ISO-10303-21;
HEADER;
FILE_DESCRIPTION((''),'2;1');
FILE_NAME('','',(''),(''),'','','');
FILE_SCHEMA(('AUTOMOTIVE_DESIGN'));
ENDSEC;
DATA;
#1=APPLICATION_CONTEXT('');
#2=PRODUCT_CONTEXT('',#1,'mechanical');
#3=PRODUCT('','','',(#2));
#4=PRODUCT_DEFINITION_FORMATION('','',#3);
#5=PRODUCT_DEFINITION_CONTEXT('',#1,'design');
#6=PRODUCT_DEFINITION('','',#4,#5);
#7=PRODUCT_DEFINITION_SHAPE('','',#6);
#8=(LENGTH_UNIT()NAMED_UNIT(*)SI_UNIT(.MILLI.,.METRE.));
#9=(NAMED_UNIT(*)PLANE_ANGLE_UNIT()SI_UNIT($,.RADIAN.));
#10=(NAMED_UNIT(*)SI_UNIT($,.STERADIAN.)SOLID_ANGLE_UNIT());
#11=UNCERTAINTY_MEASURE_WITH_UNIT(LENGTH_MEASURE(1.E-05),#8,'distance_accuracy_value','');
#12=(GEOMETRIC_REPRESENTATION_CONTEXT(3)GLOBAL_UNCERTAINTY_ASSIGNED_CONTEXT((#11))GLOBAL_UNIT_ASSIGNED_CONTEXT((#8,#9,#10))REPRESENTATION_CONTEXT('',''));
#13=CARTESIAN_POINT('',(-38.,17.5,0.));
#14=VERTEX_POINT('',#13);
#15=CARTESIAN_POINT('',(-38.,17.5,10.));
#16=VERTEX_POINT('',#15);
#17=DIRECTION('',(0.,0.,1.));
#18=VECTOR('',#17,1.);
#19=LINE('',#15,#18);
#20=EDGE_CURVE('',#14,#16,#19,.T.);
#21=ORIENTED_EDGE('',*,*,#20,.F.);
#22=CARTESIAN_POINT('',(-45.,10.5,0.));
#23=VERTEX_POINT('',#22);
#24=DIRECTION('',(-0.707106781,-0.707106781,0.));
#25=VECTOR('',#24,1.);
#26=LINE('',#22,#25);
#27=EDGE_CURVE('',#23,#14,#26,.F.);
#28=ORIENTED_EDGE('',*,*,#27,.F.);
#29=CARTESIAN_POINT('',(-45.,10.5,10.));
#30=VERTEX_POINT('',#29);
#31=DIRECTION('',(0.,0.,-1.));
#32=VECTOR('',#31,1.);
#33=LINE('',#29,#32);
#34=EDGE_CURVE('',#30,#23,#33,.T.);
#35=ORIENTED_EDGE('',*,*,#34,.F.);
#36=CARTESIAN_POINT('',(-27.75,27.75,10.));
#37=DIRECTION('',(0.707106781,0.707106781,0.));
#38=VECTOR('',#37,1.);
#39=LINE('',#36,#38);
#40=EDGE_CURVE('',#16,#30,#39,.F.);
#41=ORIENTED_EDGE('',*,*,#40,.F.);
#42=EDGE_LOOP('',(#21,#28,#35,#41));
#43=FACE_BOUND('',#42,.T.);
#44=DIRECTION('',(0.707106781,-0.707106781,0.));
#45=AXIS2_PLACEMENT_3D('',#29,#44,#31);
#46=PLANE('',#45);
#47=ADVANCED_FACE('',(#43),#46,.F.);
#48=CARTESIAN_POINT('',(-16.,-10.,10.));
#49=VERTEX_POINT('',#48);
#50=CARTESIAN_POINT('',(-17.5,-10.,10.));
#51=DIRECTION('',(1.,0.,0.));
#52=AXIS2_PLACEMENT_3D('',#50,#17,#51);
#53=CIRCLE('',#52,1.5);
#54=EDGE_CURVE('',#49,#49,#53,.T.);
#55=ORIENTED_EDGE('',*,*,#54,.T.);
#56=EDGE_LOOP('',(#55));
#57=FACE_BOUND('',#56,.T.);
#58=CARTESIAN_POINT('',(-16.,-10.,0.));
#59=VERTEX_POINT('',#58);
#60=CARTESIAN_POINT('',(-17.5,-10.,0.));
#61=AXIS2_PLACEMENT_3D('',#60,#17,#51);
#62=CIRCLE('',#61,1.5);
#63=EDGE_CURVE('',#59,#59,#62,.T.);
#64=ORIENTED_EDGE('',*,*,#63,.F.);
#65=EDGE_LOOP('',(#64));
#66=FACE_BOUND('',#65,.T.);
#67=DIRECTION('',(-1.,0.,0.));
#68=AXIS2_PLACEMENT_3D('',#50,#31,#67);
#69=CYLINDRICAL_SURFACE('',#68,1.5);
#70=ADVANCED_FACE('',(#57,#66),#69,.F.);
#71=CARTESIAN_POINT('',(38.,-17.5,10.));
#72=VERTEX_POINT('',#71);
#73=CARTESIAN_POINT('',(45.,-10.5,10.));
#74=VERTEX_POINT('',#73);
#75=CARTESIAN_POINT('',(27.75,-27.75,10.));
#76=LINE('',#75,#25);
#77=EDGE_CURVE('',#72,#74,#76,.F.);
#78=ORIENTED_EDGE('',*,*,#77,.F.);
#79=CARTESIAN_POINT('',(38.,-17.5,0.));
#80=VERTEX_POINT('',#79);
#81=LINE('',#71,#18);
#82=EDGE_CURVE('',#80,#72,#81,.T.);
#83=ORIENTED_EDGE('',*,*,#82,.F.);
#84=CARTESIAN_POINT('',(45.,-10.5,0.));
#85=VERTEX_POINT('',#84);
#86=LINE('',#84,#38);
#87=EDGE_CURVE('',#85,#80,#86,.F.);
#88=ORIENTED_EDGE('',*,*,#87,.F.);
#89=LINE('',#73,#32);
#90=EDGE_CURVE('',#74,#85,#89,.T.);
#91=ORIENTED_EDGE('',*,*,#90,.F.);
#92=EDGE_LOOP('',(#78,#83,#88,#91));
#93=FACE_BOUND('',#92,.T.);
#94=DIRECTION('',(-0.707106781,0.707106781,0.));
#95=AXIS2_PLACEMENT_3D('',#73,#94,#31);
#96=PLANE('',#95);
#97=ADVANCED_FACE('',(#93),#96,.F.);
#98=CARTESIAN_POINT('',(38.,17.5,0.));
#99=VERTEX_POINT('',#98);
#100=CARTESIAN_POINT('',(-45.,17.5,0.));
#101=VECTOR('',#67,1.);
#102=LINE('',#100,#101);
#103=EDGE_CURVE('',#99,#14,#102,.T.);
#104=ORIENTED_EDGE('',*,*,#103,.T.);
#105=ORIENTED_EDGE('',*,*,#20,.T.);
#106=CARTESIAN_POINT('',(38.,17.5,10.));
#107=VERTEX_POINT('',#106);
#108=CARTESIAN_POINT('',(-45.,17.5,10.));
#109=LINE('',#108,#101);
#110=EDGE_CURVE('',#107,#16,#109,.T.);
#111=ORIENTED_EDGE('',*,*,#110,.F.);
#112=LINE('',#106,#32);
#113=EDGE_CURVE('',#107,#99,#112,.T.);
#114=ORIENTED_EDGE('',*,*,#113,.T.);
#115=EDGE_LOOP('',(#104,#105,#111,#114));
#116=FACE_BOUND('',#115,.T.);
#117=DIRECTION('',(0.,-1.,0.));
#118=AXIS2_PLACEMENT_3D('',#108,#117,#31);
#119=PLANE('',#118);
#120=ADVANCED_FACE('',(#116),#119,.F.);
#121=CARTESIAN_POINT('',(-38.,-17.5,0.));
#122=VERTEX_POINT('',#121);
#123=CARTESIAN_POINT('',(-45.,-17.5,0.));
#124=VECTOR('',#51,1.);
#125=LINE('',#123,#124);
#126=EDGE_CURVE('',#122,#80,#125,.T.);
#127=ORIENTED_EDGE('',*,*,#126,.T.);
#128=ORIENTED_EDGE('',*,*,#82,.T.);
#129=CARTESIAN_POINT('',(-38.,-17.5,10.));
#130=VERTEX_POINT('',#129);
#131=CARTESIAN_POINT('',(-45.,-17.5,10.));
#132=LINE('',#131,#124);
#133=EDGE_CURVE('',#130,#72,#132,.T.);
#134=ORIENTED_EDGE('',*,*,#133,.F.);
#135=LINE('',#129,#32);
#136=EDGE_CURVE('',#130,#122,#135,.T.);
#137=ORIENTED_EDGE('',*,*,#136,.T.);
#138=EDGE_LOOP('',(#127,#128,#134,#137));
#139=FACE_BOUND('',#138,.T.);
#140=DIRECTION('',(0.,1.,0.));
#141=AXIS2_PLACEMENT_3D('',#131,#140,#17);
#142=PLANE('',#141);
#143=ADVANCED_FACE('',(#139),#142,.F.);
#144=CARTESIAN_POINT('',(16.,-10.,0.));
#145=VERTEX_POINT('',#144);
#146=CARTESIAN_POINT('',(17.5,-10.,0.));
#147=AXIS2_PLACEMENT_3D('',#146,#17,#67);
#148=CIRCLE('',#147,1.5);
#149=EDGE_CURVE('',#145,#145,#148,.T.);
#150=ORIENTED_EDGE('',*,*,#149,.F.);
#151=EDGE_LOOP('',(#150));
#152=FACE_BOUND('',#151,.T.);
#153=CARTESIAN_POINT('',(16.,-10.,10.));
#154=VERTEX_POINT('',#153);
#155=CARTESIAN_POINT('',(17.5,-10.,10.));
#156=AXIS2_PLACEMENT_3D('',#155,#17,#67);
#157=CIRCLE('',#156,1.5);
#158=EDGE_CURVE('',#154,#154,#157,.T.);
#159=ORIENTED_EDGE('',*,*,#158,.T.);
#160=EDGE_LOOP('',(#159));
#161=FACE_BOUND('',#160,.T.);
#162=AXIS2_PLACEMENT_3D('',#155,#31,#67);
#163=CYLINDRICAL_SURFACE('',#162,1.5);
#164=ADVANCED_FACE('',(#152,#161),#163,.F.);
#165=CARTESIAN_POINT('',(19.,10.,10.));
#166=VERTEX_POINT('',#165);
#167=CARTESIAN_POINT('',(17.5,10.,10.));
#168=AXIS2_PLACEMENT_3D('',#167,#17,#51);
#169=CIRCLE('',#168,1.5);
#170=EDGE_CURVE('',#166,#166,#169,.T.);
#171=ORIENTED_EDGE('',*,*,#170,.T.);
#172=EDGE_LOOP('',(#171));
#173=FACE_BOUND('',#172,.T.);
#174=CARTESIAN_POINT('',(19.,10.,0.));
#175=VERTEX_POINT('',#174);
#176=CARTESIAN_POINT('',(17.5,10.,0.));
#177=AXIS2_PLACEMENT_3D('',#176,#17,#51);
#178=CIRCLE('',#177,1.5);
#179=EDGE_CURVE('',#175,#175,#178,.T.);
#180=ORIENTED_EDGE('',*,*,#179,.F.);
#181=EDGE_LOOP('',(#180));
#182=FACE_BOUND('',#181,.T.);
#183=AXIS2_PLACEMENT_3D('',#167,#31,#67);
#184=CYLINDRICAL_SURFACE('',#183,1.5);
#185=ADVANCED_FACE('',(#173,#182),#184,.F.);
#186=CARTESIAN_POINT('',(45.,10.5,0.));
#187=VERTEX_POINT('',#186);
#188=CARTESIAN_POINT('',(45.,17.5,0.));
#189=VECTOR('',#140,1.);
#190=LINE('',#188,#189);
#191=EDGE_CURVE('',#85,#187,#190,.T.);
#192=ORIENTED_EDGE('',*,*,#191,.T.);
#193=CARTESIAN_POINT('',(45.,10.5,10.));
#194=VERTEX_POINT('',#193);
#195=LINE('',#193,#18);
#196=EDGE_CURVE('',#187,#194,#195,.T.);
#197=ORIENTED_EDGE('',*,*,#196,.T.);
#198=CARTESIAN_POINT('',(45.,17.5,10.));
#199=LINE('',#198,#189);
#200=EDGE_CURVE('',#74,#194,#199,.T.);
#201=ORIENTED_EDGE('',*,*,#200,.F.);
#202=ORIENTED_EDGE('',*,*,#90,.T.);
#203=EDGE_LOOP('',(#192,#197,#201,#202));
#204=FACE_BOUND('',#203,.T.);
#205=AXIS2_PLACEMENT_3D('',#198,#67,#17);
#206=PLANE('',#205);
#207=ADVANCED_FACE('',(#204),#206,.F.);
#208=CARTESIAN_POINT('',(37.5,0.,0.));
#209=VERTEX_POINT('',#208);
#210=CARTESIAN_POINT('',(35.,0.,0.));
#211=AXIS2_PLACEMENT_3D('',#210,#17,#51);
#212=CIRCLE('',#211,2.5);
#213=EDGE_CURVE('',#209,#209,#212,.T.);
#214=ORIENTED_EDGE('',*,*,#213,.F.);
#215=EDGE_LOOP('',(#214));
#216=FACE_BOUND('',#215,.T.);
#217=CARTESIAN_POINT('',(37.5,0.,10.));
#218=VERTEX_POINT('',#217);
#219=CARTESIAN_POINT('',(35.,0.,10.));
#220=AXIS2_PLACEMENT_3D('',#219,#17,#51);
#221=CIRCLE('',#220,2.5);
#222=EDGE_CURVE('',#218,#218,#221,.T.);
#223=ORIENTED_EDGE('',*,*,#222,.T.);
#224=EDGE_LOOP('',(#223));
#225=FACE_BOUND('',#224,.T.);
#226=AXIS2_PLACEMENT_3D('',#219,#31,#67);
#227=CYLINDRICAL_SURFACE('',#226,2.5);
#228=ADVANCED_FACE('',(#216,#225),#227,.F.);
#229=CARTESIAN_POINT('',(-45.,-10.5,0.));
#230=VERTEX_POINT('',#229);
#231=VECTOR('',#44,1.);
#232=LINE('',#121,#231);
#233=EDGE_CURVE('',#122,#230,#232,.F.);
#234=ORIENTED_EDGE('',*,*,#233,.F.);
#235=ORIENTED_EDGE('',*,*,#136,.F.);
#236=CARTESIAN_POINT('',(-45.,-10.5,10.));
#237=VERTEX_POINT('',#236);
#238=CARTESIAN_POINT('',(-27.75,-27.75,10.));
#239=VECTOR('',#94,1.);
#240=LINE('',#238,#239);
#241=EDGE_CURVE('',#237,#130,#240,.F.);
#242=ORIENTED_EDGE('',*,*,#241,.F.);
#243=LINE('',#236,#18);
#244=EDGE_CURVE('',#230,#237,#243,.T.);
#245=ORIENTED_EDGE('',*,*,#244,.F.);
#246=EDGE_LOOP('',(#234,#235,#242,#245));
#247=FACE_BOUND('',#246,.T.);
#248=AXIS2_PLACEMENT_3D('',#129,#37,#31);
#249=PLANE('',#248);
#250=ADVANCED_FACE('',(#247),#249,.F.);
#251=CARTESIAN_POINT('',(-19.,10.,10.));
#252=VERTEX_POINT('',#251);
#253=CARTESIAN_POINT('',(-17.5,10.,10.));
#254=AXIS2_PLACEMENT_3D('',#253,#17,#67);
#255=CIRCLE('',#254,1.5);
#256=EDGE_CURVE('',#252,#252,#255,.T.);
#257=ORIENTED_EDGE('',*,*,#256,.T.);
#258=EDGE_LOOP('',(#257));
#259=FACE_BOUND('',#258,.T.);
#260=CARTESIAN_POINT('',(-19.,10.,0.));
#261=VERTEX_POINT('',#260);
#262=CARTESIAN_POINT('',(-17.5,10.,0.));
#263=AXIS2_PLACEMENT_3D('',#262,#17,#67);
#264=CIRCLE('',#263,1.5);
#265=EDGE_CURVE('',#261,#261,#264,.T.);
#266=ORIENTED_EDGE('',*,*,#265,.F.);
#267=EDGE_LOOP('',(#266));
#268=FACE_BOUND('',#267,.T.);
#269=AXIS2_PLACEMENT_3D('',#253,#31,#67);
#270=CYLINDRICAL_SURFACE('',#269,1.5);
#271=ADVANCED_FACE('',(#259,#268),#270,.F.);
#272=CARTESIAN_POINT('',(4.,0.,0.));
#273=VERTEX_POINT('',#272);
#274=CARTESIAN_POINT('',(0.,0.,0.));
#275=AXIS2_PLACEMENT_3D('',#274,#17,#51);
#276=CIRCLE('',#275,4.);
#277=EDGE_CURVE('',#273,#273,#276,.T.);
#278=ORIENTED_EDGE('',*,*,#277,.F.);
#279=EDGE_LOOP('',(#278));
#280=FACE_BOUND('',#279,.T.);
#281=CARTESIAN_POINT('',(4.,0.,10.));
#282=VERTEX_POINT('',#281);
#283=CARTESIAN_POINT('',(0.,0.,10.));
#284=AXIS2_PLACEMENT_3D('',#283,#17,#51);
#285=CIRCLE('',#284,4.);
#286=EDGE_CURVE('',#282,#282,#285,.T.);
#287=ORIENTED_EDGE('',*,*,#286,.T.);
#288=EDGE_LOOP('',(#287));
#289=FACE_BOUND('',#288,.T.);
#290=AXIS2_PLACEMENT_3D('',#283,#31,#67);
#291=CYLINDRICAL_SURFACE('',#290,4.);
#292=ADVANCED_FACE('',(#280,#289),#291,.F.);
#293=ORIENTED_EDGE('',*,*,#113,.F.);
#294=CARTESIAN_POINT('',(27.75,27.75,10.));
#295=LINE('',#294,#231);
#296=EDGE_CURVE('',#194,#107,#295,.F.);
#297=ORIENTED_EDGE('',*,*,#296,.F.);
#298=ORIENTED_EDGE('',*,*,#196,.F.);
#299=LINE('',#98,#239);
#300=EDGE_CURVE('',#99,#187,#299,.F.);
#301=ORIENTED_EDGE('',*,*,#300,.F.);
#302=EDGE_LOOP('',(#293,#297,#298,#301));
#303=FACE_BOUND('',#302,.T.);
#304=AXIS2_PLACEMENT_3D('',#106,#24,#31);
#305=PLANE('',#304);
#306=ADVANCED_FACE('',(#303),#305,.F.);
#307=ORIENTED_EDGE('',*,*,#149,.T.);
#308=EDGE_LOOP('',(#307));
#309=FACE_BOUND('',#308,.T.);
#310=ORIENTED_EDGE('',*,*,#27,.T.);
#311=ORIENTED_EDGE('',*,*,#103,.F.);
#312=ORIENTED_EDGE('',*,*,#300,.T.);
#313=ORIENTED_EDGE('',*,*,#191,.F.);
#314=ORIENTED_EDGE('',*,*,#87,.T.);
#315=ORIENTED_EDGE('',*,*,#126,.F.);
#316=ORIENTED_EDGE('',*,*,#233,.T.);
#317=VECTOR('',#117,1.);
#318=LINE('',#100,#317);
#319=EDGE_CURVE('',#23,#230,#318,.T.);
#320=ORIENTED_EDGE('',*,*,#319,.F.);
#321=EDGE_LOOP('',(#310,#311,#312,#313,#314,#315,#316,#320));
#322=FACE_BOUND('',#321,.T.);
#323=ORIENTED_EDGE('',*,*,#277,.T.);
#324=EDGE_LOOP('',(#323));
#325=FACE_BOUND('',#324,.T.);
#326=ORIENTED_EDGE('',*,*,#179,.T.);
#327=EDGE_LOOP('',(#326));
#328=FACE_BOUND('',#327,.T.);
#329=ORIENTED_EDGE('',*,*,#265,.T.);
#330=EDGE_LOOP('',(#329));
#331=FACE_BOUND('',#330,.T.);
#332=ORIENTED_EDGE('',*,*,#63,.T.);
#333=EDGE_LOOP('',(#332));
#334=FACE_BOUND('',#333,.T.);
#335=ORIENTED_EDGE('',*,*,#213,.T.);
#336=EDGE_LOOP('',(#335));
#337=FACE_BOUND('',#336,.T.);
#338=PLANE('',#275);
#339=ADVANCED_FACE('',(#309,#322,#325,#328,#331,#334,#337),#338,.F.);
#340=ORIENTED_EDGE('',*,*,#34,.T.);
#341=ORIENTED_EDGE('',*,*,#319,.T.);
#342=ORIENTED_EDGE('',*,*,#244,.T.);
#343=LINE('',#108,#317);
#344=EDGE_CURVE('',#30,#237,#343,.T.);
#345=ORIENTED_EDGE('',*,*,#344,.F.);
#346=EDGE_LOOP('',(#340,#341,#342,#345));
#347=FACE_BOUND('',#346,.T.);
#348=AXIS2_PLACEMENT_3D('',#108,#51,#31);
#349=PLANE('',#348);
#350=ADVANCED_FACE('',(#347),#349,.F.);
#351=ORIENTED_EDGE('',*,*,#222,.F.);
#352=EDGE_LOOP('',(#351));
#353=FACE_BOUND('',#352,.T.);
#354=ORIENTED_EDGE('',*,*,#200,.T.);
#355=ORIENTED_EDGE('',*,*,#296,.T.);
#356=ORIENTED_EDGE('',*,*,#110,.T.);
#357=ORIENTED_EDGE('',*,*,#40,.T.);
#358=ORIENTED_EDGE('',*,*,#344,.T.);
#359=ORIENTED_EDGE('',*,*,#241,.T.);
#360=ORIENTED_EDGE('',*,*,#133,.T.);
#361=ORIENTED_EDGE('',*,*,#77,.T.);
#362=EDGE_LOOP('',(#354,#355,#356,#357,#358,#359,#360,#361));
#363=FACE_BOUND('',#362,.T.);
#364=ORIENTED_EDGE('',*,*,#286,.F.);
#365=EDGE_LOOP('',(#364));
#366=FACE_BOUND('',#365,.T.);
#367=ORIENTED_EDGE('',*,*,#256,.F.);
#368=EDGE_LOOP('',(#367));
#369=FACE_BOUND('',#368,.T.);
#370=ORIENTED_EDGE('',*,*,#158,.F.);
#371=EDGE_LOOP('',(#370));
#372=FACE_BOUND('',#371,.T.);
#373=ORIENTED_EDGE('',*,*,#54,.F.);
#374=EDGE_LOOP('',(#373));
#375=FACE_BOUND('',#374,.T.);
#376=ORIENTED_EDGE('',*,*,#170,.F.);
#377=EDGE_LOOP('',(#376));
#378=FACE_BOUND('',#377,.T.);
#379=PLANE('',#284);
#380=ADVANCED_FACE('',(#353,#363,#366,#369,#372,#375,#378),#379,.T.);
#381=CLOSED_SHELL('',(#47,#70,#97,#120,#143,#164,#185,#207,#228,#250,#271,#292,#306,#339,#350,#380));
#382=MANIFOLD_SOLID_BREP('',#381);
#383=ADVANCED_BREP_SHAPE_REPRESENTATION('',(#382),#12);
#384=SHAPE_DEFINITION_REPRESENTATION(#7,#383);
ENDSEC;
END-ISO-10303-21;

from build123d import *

# Parameters (mm, degrees)
SKETCH_1_W      = 90
SKETCH_1_H      = 35
SKETCH_1_R      = 2.5
SKETCH_1_R_2    = 4
SKETCH_1_R_3    = 1.5
EXTRUDE_1_DEPTH = 10
CHAMFER_1_SIZE  = 7


with BuildPart() as part:
    # ｽｹｯﾁ1 → ﾎﾞｽ - 押し出し1 (new body)
    with BuildSketch(Plane.XY):
        Rectangle(SKETCH_1_W, SKETCH_1_H)
        with Locations((35, 0)):
            Circle(SKETCH_1_R, mode=Mode.SUBTRACT)
        Circle(SKETCH_1_R_2, mode=Mode.SUBTRACT)
        with Locations((17.5, 10)):
            Circle(SKETCH_1_R_3, mode=Mode.SUBTRACT)
        with Locations(Location((17.5, -10, 0), (0, 0, 180))):
            Circle(SKETCH_1_R_3, mode=Mode.SUBTRACT)
        with Locations(Location((-17.5, 10, 0), (0, 0, 180))):
            Circle(SKETCH_1_R_3, mode=Mode.SUBTRACT)
        with Locations((-17.5, -10)):
            Circle(SKETCH_1_R_3, mode=Mode.SUBTRACT)
    extrude(amount=EXTRUDE_1_DEPTH)

    # 面取り1
    chamfer_1_edges = [part.edges().sort_by_distance(p)[0] for p in [
        (-45, 17.5, 5),
        (45, 17.5, 5),
        (45, -17.5, 5),
        (-45, -17.5, 5),
    ]]
    chamfer(chamfer_1_edges, length=CHAMFER_1_SIZE)


solid = part.part
